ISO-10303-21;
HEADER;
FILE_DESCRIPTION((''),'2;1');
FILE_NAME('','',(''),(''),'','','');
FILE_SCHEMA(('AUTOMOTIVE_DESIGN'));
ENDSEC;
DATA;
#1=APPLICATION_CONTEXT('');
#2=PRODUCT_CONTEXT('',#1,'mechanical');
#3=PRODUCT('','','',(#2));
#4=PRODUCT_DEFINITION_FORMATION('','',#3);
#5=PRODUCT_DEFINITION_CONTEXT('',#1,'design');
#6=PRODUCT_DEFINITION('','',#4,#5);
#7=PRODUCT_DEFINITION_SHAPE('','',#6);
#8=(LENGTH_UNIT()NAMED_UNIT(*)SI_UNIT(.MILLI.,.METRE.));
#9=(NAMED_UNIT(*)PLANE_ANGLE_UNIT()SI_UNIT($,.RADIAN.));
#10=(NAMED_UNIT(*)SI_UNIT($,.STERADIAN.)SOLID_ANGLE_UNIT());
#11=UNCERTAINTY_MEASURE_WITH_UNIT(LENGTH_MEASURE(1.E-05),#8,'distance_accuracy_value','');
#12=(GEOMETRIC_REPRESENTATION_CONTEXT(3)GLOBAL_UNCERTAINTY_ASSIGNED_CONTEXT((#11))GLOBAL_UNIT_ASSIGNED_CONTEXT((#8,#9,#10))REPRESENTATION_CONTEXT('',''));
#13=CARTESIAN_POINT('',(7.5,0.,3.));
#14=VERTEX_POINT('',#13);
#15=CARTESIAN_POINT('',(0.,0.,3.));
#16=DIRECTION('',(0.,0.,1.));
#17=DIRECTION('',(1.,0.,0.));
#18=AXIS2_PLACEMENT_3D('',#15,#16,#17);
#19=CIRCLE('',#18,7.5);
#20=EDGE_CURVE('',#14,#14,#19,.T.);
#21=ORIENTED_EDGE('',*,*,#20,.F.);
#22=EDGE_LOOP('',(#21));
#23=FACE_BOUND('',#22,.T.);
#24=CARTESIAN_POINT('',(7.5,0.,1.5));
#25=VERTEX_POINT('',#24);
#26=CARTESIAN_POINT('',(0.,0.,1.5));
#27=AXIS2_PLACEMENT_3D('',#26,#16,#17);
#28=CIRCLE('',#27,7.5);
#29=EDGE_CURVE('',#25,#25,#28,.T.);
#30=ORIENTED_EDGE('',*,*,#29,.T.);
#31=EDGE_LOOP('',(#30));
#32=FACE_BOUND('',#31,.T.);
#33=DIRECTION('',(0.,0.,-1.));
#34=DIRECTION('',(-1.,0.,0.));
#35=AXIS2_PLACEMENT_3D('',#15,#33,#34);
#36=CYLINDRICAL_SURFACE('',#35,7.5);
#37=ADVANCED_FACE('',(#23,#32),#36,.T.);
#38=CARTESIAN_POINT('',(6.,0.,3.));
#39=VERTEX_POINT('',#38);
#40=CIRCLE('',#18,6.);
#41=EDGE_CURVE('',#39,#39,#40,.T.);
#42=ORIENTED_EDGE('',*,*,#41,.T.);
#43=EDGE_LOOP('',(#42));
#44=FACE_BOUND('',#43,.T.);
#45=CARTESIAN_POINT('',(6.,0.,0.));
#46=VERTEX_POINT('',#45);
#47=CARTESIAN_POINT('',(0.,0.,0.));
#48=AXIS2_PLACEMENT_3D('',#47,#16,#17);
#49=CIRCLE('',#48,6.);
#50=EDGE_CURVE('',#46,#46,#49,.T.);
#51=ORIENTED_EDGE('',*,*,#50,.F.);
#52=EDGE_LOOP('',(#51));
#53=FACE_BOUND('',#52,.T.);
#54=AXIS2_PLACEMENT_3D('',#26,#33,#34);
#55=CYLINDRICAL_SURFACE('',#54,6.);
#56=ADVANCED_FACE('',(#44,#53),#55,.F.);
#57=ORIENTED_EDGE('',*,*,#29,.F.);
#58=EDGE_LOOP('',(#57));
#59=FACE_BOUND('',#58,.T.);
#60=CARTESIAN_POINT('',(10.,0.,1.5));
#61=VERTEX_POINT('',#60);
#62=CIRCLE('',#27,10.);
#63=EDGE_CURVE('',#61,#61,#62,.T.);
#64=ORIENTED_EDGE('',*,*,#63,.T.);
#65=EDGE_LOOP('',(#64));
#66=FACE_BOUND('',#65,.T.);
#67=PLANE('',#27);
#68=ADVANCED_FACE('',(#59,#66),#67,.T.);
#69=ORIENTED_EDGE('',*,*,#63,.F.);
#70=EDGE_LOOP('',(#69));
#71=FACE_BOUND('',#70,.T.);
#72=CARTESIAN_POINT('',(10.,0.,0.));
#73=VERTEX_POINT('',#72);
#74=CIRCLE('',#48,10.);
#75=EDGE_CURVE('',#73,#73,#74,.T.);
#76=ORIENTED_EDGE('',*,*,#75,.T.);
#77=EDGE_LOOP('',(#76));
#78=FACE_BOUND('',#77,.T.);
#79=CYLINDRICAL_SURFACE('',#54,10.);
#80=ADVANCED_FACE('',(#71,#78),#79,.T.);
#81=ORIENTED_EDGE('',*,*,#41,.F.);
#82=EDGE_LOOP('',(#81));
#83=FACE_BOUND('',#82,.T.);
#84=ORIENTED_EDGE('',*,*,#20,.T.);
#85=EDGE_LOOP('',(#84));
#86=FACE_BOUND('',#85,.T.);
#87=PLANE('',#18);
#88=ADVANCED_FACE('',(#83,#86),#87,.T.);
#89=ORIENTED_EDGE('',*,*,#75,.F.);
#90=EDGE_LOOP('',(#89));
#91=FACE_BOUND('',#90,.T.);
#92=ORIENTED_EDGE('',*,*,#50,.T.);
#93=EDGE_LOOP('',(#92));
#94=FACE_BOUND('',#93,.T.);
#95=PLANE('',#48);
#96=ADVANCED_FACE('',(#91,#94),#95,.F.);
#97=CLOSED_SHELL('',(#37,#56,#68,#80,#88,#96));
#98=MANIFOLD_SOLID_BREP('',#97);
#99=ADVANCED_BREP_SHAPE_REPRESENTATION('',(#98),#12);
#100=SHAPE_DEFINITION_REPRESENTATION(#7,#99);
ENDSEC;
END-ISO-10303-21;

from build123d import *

# Parameters (mm, degrees)
SKETCH1_R           = 10
SKETCH1_R_2         = 6
BOSS_EXTRUDE1_DEPTH = 1.5
SKETCH2_R           = 7.5
SKETCH2_R_2         = 6
BOSS_EXTRUDE2_DEPTH = 1.5


with BuildPart() as part:
    # Sketch1 → Boss-Extrude1 (new body)
    with BuildSketch(Plane.XY):
        Circle(SKETCH1_R)
        Circle(SKETCH1_R_2, mode=Mode.SUBTRACT)
    extrude(amount=BOSS_EXTRUDE1_DEPTH)

    # Sketch2 → Boss-Extrude2 (add)
    with BuildSketch(Plane.XY.offset(1.5)):
        Circle(SKETCH2_R)
        Circle(SKETCH2_R_2, mode=Mode.SUBTRACT)
    extrude(amount=BOSS_EXTRUDE2_DEPTH)


solid = part.part
